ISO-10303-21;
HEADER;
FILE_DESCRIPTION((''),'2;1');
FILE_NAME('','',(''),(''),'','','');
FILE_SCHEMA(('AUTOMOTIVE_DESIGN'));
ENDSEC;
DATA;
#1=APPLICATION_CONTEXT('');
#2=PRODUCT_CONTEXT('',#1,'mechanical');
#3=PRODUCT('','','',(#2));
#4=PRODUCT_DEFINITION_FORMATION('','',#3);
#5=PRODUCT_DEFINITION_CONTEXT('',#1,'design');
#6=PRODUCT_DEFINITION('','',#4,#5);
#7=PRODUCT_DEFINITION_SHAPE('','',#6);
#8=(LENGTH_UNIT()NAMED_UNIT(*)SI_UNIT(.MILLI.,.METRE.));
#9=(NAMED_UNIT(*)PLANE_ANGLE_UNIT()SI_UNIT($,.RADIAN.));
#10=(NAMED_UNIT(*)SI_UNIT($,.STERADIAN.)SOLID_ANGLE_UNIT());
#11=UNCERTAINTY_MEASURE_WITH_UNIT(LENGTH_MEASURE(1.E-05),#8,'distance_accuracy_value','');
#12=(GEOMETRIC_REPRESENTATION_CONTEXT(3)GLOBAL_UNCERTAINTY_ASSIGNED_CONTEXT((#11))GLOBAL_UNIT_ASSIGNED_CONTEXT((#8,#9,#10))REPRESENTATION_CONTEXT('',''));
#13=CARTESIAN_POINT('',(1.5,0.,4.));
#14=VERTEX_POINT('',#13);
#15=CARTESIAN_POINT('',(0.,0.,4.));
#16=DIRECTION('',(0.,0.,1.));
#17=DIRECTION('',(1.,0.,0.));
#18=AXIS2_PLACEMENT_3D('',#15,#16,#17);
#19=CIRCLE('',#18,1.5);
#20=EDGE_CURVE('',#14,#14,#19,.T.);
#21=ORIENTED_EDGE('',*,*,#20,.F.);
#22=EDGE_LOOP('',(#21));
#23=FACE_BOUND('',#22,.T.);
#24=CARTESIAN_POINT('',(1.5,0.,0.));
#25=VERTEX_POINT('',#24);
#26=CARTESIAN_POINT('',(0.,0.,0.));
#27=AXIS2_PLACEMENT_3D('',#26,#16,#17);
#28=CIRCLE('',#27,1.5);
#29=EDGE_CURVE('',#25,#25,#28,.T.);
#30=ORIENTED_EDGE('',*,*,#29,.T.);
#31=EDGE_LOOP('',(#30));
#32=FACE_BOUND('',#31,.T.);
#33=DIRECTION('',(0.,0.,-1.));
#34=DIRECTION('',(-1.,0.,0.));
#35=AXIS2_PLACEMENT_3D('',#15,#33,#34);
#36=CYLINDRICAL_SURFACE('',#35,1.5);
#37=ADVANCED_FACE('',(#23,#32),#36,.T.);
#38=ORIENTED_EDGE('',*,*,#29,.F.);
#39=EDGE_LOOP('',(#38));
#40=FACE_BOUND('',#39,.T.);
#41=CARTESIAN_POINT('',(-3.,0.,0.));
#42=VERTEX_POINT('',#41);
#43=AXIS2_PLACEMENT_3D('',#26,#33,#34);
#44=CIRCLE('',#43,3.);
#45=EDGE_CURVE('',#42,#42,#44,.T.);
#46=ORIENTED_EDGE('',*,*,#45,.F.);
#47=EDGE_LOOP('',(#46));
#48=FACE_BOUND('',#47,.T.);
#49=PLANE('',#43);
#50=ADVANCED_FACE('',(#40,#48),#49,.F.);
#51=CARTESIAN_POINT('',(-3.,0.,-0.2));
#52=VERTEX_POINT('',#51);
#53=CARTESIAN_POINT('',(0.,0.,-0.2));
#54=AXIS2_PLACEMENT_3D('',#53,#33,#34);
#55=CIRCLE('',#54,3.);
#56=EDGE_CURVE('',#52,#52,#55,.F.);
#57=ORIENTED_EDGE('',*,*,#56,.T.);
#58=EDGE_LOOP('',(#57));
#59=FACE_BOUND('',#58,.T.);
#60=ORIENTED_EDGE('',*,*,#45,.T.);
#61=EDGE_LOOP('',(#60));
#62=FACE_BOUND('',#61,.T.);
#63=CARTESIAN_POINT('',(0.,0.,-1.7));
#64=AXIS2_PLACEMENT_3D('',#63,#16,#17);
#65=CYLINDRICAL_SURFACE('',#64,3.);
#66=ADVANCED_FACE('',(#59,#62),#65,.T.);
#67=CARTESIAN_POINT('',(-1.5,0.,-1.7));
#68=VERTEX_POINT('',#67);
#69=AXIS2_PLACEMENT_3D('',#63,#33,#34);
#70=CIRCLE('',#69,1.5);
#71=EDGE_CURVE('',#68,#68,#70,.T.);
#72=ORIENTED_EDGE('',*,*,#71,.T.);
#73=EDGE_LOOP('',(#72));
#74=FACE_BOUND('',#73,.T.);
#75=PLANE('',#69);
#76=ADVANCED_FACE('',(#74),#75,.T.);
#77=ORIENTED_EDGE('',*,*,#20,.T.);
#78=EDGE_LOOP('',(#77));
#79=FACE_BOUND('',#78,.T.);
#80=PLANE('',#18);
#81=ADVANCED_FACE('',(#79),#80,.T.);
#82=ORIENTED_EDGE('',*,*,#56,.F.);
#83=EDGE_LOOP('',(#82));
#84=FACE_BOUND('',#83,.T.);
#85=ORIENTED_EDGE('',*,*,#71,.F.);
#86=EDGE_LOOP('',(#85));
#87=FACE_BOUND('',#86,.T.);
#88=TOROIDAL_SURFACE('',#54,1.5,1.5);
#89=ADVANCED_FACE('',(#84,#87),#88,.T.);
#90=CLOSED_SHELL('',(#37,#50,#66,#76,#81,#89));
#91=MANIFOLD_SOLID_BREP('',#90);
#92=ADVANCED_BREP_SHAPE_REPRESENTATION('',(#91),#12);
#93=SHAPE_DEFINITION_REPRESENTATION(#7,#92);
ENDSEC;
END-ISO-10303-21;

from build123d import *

# Parameters (mm, degrees)
SKETCH_1_R      = 1.5
EXTRUDE_1_DEPTH = 4
SKETCH_2_R      = 3
EXTRUDE_2_DEPTH = 1.7
FILLET_1_R      = 1.5


with BuildPart() as part:
    # Sketch 1 → 凸台-拉伸1 (new body)
    with BuildSketch(Plane.XY):
        Circle(SKETCH_1_R)
    extrude(amount=EXTRUDE_1_DEPTH)

    # 草图2 → 凸台-拉伸2 (add)
    with BuildSketch(Plane(origin=(0, 0, 0), x_dir=(-1, 0, 0), z_dir=(0, 0, -1))):
        Circle(SKETCH_2_R)
    extrude(amount=EXTRUDE_2_DEPTH)

    # 圆角1
    fillet_1_edges = [part.edges().sort_by_distance(p)[0] for p in [
        (3, 0, -1.7),
    ]]
    fillet(fillet_1_edges, radius=FILLET_1_R)


solid = part.part
